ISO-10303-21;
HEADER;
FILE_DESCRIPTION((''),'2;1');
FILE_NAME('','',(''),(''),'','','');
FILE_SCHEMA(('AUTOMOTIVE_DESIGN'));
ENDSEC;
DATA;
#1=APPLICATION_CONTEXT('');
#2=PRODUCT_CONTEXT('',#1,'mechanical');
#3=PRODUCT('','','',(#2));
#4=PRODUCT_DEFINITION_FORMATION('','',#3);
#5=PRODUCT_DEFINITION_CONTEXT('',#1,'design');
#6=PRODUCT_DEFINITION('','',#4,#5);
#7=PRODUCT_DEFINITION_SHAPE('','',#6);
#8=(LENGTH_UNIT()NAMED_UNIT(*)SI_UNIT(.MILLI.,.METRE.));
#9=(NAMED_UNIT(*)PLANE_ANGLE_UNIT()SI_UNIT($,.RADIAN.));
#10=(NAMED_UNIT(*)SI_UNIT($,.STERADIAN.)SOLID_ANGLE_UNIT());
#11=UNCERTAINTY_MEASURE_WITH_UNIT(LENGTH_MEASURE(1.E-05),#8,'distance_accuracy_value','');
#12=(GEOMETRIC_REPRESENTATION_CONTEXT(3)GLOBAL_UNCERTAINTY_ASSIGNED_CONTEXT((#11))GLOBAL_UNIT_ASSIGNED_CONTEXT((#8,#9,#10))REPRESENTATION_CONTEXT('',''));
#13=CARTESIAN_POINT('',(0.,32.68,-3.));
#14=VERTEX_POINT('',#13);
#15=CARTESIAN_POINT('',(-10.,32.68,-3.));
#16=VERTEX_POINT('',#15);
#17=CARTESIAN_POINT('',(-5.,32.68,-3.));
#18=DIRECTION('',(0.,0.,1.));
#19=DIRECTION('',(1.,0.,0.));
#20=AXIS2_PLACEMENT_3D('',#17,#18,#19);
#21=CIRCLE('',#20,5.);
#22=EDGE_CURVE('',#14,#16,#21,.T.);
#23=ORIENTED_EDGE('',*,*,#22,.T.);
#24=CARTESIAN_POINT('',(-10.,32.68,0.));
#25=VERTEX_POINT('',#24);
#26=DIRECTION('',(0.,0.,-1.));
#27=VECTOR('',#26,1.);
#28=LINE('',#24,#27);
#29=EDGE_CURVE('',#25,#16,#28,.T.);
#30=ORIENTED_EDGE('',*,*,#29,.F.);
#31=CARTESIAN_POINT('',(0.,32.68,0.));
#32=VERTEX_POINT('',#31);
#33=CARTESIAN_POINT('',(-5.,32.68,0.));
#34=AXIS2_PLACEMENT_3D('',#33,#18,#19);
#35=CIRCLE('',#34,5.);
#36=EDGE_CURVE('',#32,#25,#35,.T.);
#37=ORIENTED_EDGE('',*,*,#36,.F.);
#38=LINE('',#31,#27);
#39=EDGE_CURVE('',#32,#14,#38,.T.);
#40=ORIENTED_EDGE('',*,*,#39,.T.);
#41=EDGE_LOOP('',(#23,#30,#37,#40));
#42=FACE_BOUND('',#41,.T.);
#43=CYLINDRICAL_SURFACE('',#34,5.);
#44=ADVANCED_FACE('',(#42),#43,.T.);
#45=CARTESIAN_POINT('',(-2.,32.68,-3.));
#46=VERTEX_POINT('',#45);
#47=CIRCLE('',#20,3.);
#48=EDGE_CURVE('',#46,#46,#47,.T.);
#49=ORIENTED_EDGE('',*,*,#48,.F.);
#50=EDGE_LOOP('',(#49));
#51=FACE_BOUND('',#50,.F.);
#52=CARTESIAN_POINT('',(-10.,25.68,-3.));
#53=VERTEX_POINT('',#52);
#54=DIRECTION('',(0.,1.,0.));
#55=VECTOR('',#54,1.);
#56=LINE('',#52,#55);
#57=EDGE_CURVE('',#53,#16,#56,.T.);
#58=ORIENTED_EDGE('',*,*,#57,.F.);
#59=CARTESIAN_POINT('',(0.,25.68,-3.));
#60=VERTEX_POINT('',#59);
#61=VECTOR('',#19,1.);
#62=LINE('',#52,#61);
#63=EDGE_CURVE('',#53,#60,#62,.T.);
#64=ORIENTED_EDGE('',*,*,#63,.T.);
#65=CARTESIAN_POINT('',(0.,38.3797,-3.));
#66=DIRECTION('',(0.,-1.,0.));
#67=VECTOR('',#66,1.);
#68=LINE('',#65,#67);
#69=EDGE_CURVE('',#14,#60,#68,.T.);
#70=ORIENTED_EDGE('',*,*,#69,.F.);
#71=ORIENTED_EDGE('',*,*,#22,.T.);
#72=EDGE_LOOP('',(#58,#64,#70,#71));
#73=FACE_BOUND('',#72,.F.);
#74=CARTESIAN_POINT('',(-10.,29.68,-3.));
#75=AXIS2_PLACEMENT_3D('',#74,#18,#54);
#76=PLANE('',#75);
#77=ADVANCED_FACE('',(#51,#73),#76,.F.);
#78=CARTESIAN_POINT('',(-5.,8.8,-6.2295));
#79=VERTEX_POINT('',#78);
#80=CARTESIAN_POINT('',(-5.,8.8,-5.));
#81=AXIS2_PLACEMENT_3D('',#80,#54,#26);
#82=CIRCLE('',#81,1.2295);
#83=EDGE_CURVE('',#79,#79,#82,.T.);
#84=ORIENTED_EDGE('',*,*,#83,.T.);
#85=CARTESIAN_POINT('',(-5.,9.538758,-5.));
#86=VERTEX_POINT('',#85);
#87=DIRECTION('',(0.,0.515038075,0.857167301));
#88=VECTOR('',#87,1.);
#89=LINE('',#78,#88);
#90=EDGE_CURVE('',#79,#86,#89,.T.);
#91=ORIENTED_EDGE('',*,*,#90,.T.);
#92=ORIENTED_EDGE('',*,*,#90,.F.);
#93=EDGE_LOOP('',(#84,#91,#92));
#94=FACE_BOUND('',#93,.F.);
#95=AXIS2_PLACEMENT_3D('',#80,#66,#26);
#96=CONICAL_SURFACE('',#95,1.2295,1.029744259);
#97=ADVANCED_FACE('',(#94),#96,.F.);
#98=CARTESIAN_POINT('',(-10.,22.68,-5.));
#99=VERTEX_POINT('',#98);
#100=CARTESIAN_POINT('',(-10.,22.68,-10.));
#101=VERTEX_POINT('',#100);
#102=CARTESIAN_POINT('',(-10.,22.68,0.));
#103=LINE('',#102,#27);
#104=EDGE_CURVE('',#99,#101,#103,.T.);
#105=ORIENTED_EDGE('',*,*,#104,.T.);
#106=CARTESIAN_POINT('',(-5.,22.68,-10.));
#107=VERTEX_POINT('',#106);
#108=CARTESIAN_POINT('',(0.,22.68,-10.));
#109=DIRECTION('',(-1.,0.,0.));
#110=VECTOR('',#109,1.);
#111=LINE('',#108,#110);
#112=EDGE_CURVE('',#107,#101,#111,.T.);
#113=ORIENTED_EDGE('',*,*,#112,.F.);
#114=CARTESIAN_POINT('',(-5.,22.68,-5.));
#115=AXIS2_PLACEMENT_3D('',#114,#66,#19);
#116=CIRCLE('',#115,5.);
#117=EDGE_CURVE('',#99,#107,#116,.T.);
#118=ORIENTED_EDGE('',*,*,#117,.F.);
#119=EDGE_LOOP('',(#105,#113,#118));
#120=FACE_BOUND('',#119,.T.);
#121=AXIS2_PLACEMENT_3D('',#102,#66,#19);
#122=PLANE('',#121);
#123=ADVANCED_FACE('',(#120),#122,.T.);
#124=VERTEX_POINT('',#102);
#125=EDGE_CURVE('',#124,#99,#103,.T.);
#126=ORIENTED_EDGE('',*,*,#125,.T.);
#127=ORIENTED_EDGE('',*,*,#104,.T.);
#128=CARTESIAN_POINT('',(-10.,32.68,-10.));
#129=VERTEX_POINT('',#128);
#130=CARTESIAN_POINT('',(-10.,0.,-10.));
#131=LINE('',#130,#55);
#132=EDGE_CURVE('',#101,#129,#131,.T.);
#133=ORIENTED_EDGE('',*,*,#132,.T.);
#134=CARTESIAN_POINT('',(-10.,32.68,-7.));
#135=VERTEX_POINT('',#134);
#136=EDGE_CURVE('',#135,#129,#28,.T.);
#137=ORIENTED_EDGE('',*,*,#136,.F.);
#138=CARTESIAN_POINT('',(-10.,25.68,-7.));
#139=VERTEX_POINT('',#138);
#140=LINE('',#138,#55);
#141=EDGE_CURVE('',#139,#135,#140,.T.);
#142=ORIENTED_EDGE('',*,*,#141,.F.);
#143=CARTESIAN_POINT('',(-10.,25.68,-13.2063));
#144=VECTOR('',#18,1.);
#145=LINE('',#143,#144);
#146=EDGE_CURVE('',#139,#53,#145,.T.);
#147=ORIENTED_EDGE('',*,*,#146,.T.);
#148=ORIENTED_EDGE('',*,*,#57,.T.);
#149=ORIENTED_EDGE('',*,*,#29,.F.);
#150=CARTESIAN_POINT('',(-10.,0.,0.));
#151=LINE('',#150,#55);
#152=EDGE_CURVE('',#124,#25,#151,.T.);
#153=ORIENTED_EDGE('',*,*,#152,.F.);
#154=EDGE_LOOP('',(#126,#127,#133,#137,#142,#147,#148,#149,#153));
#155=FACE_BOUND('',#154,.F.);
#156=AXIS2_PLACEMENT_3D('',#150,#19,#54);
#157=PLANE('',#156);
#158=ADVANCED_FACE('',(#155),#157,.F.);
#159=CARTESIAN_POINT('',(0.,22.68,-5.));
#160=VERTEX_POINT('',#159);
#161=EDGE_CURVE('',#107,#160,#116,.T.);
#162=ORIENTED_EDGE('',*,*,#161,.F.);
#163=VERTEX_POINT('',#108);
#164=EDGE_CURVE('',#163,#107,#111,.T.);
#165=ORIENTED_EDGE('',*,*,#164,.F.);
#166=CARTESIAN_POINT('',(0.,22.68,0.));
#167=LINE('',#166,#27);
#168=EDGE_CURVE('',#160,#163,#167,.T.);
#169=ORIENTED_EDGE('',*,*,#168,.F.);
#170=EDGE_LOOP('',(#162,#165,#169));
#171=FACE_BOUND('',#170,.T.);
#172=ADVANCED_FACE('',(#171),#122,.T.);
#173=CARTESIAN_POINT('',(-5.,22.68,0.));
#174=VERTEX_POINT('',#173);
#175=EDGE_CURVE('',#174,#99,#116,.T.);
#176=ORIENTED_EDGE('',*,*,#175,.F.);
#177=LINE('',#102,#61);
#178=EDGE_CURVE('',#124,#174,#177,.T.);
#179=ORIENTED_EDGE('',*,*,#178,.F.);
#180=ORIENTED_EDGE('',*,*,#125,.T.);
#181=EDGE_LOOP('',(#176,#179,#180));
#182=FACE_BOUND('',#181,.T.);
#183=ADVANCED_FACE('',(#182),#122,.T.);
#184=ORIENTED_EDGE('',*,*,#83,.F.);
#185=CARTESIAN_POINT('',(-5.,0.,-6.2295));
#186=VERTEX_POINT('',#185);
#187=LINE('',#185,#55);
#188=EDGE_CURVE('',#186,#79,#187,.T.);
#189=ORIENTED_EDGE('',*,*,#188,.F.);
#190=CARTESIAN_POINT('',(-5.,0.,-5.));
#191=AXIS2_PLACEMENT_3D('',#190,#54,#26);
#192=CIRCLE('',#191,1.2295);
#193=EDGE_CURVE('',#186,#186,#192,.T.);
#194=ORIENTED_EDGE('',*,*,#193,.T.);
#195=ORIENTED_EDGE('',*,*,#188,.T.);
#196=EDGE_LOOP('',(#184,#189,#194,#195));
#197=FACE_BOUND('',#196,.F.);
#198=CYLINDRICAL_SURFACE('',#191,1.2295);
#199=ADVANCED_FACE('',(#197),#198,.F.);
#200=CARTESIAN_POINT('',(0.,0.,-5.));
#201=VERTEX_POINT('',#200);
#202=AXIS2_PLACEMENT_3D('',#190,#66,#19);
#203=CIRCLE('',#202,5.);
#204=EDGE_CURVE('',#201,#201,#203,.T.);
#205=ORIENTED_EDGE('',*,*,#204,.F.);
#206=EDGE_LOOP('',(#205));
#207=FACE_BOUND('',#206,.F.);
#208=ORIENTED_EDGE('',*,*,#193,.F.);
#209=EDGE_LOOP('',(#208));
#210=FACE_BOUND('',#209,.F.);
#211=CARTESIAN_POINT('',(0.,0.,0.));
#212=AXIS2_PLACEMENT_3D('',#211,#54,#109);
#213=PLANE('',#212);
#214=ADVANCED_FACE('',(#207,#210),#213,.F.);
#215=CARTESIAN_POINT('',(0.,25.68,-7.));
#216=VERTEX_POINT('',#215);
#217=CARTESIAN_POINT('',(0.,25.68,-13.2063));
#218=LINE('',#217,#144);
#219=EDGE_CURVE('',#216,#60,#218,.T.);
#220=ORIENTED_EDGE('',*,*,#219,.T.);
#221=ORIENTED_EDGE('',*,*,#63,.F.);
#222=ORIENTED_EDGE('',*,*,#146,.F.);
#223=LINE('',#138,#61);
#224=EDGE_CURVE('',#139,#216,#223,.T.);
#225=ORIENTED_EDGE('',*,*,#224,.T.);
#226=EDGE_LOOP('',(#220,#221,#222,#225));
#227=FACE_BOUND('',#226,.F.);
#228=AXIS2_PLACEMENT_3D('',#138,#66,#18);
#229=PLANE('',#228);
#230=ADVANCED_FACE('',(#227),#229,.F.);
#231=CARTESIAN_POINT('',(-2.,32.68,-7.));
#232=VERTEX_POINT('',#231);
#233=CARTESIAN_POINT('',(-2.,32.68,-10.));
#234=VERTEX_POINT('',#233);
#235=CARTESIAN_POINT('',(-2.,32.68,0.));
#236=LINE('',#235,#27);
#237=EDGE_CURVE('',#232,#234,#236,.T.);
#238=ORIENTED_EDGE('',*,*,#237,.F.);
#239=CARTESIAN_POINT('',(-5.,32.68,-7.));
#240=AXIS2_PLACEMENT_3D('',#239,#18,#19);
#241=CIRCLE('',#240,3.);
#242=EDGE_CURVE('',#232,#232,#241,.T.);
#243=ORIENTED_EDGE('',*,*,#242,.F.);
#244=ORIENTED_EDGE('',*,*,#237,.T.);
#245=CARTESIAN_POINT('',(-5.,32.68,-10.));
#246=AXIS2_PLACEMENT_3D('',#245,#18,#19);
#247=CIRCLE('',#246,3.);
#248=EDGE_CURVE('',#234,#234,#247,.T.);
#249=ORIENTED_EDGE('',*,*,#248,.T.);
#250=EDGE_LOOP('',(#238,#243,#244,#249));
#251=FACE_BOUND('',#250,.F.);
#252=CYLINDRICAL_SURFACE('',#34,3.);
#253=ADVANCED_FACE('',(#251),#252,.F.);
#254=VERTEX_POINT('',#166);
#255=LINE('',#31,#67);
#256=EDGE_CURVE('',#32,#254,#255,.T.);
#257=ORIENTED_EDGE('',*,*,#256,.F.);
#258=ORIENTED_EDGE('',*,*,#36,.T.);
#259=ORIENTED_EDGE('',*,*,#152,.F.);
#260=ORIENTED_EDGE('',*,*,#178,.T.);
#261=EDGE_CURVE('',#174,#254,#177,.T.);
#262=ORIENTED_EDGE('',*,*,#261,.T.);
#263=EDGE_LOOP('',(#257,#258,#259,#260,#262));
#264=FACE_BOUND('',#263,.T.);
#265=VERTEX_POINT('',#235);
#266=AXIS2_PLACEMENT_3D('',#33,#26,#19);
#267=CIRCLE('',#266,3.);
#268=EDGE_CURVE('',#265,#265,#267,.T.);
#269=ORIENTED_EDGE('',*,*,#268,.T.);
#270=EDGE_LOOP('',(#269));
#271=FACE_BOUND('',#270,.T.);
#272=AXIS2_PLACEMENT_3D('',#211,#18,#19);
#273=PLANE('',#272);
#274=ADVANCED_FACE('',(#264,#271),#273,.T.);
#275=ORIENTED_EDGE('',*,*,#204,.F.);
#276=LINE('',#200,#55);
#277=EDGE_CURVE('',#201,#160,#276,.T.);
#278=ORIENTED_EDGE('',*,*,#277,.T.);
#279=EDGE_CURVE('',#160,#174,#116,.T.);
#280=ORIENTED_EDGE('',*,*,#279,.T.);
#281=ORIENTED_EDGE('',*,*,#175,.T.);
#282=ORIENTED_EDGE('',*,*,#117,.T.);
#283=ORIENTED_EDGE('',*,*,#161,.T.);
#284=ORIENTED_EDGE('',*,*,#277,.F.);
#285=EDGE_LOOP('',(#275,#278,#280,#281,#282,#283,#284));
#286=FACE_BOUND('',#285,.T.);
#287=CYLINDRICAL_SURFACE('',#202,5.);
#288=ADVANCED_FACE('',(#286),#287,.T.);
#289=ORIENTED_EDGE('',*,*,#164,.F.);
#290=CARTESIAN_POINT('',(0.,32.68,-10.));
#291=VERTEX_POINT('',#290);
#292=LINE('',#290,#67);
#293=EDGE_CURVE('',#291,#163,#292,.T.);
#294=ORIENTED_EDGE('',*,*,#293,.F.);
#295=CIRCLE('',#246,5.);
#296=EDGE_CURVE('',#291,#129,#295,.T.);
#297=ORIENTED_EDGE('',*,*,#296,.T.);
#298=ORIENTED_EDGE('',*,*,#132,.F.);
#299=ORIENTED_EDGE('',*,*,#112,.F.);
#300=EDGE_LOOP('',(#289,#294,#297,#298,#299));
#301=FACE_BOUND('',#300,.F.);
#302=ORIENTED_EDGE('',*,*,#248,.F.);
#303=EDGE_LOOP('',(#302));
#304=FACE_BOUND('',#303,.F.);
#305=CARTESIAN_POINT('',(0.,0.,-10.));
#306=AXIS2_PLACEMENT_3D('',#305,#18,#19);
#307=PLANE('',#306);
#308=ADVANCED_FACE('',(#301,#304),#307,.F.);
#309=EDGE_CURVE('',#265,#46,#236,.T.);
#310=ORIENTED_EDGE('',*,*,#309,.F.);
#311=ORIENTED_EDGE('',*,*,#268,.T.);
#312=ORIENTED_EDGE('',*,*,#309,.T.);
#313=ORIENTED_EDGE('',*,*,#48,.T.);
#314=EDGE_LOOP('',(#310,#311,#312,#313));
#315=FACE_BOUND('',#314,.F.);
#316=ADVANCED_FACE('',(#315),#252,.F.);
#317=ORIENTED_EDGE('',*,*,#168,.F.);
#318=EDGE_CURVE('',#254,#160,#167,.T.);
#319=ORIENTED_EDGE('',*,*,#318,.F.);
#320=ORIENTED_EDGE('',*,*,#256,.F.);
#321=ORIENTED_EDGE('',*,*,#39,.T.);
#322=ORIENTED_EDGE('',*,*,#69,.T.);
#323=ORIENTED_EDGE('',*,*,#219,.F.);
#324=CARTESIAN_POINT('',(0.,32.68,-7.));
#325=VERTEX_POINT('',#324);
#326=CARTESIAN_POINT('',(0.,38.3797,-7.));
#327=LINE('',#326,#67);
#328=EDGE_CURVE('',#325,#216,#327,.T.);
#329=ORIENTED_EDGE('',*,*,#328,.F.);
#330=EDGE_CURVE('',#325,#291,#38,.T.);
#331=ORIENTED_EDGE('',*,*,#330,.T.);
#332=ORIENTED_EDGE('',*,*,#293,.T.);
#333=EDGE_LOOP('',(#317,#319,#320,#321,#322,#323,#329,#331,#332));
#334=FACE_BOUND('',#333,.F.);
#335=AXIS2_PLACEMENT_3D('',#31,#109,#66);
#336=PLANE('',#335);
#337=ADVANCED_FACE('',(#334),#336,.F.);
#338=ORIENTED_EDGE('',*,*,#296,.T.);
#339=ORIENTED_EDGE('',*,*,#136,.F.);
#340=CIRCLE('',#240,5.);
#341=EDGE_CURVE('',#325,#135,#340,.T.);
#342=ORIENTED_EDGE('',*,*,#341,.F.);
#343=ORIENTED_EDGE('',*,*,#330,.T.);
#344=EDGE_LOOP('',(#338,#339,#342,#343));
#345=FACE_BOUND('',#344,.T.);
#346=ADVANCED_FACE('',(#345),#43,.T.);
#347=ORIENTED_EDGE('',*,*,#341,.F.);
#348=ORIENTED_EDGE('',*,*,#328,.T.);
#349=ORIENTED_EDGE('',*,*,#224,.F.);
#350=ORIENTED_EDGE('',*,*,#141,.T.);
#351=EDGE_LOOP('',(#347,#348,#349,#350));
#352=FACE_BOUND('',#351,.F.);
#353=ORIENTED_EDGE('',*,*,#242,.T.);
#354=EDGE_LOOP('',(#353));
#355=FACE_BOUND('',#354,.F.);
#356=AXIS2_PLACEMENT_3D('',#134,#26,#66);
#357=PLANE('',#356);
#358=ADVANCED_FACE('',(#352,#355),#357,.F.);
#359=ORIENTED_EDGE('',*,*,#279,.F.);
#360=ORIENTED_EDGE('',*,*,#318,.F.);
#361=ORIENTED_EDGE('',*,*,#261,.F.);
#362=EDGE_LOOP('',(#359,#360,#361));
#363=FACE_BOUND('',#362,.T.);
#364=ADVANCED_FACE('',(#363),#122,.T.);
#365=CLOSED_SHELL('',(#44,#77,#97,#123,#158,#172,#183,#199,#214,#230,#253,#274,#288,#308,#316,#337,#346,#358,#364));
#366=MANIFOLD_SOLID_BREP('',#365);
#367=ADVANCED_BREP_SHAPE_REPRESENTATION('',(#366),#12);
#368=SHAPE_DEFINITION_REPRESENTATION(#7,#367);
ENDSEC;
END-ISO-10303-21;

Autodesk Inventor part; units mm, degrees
ref_plane "YZ Plane" through (0, 0, 0) normal (1, 0, 0) x (0, 1, 0)
ref_plane "XZ Plane" through (0, 0, 0) normal (0, 1, 0) x (-1, 0, 0)
ref_plane "XY Plane" through (0, 0, 0) normal (0, 0, 1) x (1, 0, 0)
sketch "Szkic1" plane through (0, 0, 0) normal (0, 0, 1) x (1, 0, 0)
  line L0 (0, 0) -> (-10, 0)
  line L1 (-10, 0) -> (-10, 32.68)
  line L2 (-10, 32.68) -> (0, 32.68)
  line L3 (0, 32.68) -> (0, 0)
  arc A0 (0, 32.68) -> (-10, 32.68) centre (-5, 32.68) ccw
  circle A1 centre (-5, 32.68) radius 3
  dimension "d2" = 10
  dimension "d3" = 32.68
  dimension "d4" = 6
extrude "Wyciągnięcie proste1" add sketch "Szkic1" against normal blind 10 contours L0 L1 L2 A1 L3 | L2 A1 A0
sketch "Szkic2" plane through (-10, 0, 0) normal (-1, 0, 0) x (0, 0, 1)
  line L0 (-10, 29.68) -> (0, 29.68) projected
  line L1 (-13.2063, 25.68) -> (3.6302, 25.68)
  line L2 (0, 32.68) -> (-10, 32.68) projected
  line L3 (-5, 32.68) -> (-5, 38.3797)
  line L4 (-7, 25.68) -> (-3, 25.68)
  line L5 (-3, 25.68) -> (-3, 38.3797)
  line L6 (-3, 38.3797) -> (-7, 38.3797)
  line L7 (-7, 38.3797) -> (-7, 25.68)
  point P0 (0, 0)
  dimension "d7" = 7
  dimension "d8" = 4
extrude "Wyciągnięcie proste2" cut sketch "Szkic2" against normal blind 10
sketch "Szkic3" plane through (-10, 0, 0) normal (0, -1, 0) x (1, 0, 0)
  line L0 (0, -10) -> (10, -10) projected
  line L1 (5, -10) -> (5, 0)
  line L2 (0, 0) -> (10, 0) projected
  line L3 (10, 0) -> (10, -10) projected
  line L4 (10, -5) -> (0, -5)
  line L5 (0, 0) -> (0, -10) projected
  point P0 (5, -5)
hole "Otwór1" at (-5, 0, -5) direction (0, 1, 0) diameter 2.459 depth 8.8 tip angle 118 thread size "M3x0.5" class "6H" standard "ISO Metric profile"
sketch "Szkic4" plane through (-10, 0, 0) normal (0, -1, 0) x (1, 0, 0)
  line L0 (10, 0) -> (10, -10) projected
  line L1 (0, 0) -> (0, -10) projected
  line L2 (10, -10) -> (0, -10)
  line L3 (0, -10) -> (0, 0)
  line L4 (0, 0) -> (10, 0)
  line L5 (10, 0) -> (10, -10)
  circle A0 centre (5, -5) radius 1.2295 projected
  circle A1 centre (5, -5) radius 5
  point P0 (0, -5)
  point P1 (5, 0)
  point P2 (10, -5)
  point P3 (5, -10)
extrude "Wyciągnięcie proste3" cut sketch "Szkic4" against normal blind 22.68 contours L0 A1 L4 | L0 L2 A1 | A1 L1 L4 | L2 L1 A1
properties part number "Część L5" material "Stal nierdzewna 440C"
